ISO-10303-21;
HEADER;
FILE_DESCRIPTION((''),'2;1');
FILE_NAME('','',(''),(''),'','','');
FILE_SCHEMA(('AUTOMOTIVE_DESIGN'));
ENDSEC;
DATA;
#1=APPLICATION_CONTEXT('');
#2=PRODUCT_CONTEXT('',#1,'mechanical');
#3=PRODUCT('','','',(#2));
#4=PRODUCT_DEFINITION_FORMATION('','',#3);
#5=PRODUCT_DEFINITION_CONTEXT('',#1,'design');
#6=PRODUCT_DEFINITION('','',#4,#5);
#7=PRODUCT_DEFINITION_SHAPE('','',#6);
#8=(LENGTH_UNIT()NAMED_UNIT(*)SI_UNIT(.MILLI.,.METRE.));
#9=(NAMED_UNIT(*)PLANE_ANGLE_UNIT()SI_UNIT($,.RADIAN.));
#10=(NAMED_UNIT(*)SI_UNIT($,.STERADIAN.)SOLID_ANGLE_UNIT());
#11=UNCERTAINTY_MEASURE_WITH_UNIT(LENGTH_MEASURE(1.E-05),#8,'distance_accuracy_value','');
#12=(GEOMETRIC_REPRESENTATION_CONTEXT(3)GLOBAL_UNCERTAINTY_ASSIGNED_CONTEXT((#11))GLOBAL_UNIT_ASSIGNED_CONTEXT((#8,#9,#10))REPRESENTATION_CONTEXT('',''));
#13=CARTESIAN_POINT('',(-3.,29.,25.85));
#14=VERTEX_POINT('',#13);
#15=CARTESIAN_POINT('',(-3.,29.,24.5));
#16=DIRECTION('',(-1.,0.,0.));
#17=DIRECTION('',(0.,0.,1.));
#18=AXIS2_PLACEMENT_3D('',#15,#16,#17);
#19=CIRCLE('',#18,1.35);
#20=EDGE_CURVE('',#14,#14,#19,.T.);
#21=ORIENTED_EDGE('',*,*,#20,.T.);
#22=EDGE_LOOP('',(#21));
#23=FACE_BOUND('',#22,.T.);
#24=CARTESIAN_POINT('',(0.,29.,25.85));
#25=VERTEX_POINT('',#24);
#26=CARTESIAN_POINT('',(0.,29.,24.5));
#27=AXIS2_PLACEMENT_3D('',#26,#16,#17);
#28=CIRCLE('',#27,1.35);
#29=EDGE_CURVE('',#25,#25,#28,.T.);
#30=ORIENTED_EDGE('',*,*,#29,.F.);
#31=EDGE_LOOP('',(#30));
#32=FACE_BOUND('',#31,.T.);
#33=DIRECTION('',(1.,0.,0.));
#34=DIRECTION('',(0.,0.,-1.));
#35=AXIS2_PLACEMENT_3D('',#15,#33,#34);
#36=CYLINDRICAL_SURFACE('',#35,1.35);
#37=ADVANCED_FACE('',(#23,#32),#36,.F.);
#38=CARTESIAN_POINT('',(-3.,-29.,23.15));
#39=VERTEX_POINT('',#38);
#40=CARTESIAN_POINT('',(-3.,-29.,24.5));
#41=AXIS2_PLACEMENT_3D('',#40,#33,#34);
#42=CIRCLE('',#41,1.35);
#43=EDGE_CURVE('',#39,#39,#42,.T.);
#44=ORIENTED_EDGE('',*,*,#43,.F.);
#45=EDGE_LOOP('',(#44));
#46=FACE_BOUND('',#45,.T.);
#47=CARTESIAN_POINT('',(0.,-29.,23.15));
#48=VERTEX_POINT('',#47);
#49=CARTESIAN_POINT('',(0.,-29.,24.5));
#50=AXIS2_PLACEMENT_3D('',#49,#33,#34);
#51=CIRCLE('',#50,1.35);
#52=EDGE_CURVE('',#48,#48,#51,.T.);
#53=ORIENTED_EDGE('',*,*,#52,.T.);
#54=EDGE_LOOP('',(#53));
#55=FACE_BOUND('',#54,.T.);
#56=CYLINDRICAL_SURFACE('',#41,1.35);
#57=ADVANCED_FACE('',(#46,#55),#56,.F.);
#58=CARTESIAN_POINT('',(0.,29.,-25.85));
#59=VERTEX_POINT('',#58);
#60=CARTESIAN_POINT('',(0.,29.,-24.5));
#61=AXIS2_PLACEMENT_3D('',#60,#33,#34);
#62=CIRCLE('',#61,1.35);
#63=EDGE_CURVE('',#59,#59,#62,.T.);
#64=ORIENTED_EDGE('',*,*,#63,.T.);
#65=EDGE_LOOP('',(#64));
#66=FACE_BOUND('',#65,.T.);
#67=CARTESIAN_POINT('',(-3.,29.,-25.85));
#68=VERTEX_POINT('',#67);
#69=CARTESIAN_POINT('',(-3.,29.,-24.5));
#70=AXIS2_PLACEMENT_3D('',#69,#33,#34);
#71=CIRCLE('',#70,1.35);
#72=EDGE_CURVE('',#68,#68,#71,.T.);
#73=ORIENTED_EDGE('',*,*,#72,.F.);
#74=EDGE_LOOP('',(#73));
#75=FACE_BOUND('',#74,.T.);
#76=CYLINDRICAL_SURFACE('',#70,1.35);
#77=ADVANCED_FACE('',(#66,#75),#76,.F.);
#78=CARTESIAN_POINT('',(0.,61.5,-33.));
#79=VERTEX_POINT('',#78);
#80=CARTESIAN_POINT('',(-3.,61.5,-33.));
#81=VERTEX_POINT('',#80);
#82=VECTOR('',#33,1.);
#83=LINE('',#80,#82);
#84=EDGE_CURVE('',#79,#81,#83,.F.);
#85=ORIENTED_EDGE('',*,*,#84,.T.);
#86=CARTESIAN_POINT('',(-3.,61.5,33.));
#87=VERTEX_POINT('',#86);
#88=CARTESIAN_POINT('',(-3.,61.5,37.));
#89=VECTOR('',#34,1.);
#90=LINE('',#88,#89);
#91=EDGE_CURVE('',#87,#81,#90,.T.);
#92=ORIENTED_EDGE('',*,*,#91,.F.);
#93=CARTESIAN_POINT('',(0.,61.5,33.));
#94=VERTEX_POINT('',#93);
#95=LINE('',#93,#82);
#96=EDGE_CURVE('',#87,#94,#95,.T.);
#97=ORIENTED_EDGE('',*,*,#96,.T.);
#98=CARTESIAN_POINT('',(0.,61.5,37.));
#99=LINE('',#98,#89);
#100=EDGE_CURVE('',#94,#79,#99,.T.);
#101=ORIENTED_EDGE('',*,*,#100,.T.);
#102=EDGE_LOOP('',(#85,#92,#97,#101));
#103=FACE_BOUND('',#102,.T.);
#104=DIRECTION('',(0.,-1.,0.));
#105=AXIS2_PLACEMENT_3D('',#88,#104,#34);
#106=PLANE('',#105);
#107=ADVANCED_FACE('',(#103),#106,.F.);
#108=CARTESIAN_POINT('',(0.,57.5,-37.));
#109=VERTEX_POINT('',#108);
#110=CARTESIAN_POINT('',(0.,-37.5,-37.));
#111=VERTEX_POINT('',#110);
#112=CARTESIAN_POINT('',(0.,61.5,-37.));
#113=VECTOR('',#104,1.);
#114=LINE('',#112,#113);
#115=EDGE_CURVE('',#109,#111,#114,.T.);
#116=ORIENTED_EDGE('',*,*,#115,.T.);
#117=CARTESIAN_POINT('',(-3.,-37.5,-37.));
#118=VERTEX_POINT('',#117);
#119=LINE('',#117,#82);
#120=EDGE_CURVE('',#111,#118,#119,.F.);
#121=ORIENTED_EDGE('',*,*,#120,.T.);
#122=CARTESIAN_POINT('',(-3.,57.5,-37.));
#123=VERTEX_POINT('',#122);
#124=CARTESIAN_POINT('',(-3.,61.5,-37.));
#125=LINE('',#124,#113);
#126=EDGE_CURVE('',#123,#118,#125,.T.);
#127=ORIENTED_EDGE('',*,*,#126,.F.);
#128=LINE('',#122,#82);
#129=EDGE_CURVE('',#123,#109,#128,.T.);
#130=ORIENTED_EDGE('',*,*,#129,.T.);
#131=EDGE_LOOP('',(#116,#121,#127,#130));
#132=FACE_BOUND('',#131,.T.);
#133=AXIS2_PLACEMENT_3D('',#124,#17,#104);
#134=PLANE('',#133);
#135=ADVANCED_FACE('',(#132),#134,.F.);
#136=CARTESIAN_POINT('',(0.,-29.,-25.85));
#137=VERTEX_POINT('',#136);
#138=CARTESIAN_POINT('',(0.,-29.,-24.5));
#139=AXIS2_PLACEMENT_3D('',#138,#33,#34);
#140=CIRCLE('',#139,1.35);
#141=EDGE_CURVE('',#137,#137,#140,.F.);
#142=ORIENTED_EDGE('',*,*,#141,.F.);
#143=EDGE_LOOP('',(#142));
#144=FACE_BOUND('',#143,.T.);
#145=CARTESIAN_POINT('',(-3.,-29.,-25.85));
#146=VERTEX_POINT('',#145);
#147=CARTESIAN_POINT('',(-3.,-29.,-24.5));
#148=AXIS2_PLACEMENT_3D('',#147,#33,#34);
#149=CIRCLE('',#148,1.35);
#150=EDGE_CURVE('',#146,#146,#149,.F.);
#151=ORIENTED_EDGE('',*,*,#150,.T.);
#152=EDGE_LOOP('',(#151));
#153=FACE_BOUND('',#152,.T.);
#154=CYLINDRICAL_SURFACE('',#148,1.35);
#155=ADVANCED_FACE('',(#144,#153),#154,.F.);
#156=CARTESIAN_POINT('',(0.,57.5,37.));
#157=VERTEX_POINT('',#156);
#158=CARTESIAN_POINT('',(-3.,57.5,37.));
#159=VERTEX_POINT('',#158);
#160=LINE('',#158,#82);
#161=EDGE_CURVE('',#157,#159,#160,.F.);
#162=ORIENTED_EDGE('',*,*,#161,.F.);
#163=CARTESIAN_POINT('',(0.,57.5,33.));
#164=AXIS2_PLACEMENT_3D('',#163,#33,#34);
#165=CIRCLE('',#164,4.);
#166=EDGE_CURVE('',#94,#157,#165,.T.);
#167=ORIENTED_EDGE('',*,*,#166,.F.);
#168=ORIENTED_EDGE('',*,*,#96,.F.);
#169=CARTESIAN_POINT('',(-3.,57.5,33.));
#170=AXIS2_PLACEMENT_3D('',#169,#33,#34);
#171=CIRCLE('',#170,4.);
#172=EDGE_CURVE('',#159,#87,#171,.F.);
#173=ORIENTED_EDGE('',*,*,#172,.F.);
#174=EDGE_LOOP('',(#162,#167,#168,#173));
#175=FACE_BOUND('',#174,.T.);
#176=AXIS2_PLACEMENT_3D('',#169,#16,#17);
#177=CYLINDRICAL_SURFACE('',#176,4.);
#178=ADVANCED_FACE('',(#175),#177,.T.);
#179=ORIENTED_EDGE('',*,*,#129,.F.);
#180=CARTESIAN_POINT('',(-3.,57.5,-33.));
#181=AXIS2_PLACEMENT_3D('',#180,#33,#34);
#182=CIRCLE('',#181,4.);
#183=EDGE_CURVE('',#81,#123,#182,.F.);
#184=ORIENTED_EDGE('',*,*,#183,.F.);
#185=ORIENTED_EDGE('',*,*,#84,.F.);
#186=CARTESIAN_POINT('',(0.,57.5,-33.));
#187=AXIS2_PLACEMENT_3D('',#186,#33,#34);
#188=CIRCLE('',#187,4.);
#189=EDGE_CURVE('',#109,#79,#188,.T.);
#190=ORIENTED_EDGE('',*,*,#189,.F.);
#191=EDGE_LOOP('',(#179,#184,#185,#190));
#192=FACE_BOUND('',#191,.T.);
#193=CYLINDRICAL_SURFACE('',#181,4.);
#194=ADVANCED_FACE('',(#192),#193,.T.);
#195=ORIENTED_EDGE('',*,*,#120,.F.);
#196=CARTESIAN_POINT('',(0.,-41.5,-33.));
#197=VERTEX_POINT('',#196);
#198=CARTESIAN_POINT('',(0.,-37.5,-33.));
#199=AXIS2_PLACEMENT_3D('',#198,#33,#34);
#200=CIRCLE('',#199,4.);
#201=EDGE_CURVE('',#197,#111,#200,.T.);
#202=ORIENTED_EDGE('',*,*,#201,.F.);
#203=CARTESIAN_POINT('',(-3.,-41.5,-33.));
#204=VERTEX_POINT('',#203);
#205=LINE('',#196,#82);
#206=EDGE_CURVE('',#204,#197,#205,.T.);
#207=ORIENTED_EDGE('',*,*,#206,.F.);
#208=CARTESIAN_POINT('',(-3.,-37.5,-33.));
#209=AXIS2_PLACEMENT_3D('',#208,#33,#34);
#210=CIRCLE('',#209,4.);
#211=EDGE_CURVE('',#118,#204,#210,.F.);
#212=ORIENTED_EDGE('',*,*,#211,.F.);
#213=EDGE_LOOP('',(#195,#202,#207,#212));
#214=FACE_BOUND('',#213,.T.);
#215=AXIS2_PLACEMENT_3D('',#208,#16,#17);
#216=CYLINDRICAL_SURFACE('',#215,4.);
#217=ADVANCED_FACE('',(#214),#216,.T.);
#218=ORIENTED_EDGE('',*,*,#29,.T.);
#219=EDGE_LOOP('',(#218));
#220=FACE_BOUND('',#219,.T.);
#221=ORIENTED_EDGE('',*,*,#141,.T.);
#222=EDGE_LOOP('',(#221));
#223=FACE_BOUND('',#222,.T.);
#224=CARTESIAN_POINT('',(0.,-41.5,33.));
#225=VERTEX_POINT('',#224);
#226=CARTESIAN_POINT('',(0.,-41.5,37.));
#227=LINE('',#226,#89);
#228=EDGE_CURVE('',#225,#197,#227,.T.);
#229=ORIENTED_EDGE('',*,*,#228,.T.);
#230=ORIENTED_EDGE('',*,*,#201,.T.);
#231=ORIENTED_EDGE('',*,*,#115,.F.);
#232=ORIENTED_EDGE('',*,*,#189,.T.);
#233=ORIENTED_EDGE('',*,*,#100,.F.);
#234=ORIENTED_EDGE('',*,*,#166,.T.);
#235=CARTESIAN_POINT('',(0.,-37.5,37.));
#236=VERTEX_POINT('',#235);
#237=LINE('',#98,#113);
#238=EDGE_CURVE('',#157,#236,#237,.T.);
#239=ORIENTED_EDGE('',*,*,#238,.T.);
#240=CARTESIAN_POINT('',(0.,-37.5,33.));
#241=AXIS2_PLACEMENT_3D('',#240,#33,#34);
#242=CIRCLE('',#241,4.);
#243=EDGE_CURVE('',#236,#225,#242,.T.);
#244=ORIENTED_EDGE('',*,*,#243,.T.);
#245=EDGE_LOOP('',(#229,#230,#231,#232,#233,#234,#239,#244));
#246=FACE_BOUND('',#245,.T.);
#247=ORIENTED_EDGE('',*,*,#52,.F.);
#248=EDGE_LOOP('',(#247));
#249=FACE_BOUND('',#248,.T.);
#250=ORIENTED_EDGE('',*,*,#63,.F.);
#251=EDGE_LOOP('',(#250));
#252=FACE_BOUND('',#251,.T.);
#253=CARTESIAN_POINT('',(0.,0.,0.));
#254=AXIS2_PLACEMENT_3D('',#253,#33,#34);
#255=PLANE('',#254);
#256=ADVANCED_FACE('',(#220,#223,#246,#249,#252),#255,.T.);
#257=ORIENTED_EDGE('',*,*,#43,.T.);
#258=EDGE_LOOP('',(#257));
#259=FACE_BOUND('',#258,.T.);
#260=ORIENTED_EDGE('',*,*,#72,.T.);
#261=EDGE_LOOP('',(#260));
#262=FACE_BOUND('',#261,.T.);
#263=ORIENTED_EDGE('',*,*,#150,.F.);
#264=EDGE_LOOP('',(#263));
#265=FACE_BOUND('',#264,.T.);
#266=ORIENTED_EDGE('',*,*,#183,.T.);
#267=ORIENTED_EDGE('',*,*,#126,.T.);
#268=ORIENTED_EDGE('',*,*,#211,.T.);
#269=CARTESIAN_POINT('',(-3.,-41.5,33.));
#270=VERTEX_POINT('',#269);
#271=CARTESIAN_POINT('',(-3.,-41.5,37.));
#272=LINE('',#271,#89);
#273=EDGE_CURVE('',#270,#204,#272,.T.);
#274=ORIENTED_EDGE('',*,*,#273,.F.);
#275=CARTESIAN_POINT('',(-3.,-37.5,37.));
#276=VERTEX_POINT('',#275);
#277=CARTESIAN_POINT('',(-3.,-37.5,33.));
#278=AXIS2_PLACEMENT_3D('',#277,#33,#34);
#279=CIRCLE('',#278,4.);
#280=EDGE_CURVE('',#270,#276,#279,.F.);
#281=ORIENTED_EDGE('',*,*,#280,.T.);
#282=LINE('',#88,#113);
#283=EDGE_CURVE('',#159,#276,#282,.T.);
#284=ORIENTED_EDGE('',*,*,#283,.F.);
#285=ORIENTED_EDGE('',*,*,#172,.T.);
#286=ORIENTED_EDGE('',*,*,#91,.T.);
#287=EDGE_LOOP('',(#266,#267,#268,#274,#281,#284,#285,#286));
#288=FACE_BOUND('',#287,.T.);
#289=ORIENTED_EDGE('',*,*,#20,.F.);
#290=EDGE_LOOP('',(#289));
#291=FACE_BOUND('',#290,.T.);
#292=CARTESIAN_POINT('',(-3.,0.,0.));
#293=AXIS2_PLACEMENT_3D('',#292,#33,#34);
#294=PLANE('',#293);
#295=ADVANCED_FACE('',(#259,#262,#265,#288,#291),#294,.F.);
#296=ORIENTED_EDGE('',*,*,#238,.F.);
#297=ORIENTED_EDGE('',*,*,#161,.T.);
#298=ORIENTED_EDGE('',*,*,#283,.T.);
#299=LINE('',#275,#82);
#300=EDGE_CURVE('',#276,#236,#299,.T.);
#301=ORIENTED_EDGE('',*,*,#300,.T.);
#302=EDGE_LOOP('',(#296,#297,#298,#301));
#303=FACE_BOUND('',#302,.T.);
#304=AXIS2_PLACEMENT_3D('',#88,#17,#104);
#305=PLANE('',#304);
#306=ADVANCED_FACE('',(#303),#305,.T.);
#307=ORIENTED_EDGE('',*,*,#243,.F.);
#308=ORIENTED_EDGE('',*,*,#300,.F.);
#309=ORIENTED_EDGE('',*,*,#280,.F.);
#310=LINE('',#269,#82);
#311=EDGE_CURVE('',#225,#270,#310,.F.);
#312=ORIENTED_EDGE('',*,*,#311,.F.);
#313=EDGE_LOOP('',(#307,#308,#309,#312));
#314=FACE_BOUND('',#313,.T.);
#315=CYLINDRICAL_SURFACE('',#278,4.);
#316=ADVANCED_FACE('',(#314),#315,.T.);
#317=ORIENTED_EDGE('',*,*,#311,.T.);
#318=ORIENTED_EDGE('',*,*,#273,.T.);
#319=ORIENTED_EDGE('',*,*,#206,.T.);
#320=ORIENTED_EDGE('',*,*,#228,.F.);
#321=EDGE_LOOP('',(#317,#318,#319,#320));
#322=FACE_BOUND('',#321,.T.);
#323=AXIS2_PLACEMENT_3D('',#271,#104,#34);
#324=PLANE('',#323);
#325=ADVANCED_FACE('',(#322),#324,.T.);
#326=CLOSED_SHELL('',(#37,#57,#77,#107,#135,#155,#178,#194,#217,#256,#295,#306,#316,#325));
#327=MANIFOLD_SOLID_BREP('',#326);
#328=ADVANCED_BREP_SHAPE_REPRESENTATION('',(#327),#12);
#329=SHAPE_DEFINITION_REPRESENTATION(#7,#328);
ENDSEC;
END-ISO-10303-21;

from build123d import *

# Parameters (mm, degrees)
SKETCH1_W           = 103
SKETCH1_H           = 74
BOSS_EXTRUDE2_DEPTH = 3
SKETCH1_12_R        = 1.35
CUT_EXTRUDE1_DEPTH  = 3
FILLET1_R           = 4


with BuildPart() as part:
    # Sketch1 → Boss-Extrude2 (new body)
    with BuildSketch(Plane.YZ):
        with Locations((10, 0)):
            Rectangle(SKETCH1_W, SKETCH1_H)
    extrude(amount=-BOSS_EXTRUDE2_DEPTH)

    # Sketch1<12> → Cut-Extrude1 (cut)
    with BuildSketch(Plane.YZ):
        with Locations((29, -24.5)):
            Circle(SKETCH1_12_R)
        with Locations((-29, -24.5)):
            Circle(SKETCH1_12_R)
        with Locations((-29, 24.5)):
            Circle(SKETCH1_12_R)
        with Locations((29, 24.5)):
            Circle(SKETCH1_12_R)
    extrude(amount=-CUT_EXTRUDE1_DEPTH, mode=Mode.SUBTRACT)

    # Fillet1
    fillet1_edges = [part.edges().sort_by_distance(p)[0] for p in [
        (-1.5, -41.5, 37),
        (-1.5, 61.5, 37),
        (-1.5, 61.5, -37),
        (-1.5, -41.5, -37),
    ]]
    fillet(fillet1_edges, radius=FILLET1_R)


solid = part.part
